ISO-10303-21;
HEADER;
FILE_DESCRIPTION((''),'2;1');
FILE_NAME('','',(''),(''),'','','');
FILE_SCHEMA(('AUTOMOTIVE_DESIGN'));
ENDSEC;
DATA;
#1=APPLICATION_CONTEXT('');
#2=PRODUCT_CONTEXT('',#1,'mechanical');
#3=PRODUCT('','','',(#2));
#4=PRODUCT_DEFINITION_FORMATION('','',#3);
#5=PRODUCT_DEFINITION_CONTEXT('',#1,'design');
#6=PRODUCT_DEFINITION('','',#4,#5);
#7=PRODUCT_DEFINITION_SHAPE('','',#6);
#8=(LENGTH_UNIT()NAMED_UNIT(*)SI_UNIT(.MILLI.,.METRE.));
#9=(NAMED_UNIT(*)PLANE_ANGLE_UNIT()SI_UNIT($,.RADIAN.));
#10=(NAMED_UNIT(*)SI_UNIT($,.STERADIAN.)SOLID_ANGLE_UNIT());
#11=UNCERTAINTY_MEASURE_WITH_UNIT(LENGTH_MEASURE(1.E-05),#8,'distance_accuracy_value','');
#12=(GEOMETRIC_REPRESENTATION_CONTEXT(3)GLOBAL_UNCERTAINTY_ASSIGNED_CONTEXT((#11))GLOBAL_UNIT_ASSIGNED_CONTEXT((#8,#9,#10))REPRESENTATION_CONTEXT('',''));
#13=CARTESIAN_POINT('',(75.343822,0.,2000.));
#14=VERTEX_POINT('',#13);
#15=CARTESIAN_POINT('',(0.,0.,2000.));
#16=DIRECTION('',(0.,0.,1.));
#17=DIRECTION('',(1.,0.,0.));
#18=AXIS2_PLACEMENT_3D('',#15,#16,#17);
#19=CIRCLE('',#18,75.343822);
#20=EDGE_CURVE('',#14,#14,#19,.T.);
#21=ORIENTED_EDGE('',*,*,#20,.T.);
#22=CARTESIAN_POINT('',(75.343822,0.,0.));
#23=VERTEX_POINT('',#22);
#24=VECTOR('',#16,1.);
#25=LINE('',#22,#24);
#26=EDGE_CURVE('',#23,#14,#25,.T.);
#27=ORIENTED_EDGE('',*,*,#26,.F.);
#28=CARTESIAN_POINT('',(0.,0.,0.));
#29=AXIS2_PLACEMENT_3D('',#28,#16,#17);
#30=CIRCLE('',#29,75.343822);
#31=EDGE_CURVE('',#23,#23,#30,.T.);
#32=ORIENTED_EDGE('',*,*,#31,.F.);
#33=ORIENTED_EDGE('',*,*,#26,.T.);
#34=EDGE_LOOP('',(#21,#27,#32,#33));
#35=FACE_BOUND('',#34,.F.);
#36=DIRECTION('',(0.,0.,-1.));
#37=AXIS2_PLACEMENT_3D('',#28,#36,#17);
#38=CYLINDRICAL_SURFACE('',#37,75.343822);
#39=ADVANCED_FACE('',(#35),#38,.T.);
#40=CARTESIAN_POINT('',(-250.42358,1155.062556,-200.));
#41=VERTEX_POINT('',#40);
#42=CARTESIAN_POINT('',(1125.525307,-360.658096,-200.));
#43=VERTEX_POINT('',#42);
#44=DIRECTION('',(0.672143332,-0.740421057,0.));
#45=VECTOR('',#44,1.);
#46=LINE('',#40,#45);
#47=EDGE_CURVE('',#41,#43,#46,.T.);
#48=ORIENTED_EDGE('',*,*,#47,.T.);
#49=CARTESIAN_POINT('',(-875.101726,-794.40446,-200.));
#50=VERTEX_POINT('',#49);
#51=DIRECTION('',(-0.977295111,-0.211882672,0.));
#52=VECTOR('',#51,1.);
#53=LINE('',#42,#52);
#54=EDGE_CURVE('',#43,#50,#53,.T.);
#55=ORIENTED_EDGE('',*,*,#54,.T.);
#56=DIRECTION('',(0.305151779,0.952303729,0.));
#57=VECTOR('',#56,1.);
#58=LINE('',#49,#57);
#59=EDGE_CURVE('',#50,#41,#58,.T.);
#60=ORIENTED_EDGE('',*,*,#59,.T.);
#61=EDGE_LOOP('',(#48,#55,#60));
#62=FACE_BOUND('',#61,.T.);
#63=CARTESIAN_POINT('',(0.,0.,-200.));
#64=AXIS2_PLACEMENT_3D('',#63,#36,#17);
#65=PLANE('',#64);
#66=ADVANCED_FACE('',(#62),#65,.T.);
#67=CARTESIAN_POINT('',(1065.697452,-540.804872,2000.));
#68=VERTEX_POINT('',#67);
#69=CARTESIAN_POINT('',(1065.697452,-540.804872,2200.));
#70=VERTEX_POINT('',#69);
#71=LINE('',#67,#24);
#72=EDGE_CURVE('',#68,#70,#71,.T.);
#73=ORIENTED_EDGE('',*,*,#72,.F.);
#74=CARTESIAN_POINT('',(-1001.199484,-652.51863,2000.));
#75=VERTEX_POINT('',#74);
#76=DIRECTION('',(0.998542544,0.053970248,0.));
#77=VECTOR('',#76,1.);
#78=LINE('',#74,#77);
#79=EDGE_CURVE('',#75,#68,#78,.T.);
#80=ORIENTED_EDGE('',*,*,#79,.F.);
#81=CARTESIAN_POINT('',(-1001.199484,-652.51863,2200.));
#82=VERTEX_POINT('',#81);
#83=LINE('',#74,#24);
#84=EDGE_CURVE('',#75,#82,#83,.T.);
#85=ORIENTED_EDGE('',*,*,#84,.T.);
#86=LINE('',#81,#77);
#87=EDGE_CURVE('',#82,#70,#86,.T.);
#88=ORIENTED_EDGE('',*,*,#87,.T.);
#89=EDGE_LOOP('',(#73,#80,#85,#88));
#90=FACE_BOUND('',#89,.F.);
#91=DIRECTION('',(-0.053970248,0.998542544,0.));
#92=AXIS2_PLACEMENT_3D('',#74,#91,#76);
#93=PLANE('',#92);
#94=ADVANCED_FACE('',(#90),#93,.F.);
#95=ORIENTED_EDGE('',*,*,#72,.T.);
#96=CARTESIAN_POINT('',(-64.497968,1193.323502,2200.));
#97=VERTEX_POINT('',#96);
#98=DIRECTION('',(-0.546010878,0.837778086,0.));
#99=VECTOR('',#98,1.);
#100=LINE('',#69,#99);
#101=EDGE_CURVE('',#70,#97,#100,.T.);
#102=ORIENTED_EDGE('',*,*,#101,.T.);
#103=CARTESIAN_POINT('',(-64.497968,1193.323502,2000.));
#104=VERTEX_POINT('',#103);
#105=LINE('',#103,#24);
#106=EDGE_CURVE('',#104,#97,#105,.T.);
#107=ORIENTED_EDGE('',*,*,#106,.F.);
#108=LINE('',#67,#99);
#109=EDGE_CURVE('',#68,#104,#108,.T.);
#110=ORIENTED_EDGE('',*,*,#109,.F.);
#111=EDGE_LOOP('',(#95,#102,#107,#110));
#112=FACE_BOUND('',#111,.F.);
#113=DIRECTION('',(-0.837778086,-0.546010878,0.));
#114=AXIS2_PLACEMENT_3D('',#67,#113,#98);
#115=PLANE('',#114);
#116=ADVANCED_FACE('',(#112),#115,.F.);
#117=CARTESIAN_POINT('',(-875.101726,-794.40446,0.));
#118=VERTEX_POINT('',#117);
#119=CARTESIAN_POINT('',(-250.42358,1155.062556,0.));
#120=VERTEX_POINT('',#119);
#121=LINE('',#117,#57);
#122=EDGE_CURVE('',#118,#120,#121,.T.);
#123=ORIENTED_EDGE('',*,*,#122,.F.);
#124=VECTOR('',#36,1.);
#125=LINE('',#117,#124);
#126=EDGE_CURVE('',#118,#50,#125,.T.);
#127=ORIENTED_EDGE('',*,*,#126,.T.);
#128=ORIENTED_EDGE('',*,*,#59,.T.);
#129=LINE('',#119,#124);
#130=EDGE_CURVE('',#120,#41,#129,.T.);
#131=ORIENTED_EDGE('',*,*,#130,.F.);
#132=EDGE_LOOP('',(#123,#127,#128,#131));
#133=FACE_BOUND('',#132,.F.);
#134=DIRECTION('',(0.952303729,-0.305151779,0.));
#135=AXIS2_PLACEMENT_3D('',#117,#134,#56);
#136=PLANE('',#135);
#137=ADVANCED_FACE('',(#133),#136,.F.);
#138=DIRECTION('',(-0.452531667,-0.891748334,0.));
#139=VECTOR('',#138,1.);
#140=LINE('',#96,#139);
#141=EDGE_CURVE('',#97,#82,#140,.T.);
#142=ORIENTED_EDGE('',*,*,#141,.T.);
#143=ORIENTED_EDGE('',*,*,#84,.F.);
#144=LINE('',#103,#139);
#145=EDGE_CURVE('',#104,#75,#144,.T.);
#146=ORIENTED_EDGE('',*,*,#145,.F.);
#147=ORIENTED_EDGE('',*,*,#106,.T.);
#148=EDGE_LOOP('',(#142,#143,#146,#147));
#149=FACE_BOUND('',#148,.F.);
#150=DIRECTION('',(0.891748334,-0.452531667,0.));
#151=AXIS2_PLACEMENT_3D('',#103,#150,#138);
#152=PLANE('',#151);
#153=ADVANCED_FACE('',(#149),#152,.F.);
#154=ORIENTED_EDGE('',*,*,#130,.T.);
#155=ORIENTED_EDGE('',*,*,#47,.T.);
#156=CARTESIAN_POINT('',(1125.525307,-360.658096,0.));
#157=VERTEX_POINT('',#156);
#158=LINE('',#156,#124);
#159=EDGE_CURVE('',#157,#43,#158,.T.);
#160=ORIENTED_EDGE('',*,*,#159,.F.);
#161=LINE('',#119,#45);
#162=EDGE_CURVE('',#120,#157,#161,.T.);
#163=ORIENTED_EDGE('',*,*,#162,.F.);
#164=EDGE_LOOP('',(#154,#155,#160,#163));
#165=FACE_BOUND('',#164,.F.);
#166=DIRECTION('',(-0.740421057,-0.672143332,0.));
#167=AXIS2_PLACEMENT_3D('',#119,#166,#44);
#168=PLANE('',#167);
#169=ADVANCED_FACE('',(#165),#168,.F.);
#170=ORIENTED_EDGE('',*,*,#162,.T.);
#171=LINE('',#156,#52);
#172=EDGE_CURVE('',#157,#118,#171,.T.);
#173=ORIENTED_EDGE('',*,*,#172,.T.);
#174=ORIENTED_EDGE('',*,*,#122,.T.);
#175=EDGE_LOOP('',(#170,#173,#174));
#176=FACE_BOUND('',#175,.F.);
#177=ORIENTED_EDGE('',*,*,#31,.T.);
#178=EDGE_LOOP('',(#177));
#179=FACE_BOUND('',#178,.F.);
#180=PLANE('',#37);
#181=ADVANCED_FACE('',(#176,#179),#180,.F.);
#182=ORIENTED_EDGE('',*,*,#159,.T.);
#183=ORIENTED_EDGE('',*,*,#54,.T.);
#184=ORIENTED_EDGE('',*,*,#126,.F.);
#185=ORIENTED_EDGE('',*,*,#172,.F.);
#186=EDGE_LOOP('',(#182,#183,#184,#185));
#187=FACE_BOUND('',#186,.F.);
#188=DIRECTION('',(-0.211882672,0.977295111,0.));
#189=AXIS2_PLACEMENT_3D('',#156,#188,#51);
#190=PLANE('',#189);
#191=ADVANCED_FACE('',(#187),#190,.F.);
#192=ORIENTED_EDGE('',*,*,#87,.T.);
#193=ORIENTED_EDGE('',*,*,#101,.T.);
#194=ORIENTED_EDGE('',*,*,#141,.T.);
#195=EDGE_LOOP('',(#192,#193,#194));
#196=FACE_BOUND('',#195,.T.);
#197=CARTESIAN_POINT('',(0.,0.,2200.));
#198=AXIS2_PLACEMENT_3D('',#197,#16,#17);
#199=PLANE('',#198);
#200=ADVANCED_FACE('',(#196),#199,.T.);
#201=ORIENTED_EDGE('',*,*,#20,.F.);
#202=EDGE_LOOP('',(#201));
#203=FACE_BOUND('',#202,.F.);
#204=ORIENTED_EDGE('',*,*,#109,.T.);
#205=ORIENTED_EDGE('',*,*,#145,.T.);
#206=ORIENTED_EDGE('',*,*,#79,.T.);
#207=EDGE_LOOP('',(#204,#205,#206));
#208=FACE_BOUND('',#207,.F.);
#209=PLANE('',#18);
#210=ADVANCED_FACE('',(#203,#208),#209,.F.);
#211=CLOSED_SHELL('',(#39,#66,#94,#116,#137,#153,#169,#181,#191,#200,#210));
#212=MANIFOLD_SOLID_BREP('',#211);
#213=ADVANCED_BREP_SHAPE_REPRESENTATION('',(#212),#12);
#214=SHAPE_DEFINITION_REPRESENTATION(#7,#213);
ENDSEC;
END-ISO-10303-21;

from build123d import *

# Parameters (mm, degrees)
F0_R     = 75.343822
F1_DEPTH = 2000
F3_DEPTH = 200
F5_DEPTH = 200


with BuildPart() as f1:
    # F0 (on Top) → F1 (new body)
    with BuildSketch(Plane.XY):
        Circle(F0_R)
    extrude(amount=F1_DEPTH)

    # F2 (on face) → F3 (join)
    with BuildSketch(Plane.XY.offset(2000)):
        Polygon((1065.697452, -540.804872), (-64.497968, 1193.323502), (-1001.199484, -652.51863), align=None)
    extrude(amount=F3_DEPTH)

    # F4 (on face) → F5 (join)
    with BuildSketch(Plane(origin=(0, 0, 0), x_dir=(1, 0, 0), z_dir=(0, 0, -1))):
        Polygon((1125.525307, 360.658096), (-875.101726, 794.40446), (-250.42358, -1155.062556), align=None)
    extrude(amount=F5_DEPTH)


solid = f1.part
